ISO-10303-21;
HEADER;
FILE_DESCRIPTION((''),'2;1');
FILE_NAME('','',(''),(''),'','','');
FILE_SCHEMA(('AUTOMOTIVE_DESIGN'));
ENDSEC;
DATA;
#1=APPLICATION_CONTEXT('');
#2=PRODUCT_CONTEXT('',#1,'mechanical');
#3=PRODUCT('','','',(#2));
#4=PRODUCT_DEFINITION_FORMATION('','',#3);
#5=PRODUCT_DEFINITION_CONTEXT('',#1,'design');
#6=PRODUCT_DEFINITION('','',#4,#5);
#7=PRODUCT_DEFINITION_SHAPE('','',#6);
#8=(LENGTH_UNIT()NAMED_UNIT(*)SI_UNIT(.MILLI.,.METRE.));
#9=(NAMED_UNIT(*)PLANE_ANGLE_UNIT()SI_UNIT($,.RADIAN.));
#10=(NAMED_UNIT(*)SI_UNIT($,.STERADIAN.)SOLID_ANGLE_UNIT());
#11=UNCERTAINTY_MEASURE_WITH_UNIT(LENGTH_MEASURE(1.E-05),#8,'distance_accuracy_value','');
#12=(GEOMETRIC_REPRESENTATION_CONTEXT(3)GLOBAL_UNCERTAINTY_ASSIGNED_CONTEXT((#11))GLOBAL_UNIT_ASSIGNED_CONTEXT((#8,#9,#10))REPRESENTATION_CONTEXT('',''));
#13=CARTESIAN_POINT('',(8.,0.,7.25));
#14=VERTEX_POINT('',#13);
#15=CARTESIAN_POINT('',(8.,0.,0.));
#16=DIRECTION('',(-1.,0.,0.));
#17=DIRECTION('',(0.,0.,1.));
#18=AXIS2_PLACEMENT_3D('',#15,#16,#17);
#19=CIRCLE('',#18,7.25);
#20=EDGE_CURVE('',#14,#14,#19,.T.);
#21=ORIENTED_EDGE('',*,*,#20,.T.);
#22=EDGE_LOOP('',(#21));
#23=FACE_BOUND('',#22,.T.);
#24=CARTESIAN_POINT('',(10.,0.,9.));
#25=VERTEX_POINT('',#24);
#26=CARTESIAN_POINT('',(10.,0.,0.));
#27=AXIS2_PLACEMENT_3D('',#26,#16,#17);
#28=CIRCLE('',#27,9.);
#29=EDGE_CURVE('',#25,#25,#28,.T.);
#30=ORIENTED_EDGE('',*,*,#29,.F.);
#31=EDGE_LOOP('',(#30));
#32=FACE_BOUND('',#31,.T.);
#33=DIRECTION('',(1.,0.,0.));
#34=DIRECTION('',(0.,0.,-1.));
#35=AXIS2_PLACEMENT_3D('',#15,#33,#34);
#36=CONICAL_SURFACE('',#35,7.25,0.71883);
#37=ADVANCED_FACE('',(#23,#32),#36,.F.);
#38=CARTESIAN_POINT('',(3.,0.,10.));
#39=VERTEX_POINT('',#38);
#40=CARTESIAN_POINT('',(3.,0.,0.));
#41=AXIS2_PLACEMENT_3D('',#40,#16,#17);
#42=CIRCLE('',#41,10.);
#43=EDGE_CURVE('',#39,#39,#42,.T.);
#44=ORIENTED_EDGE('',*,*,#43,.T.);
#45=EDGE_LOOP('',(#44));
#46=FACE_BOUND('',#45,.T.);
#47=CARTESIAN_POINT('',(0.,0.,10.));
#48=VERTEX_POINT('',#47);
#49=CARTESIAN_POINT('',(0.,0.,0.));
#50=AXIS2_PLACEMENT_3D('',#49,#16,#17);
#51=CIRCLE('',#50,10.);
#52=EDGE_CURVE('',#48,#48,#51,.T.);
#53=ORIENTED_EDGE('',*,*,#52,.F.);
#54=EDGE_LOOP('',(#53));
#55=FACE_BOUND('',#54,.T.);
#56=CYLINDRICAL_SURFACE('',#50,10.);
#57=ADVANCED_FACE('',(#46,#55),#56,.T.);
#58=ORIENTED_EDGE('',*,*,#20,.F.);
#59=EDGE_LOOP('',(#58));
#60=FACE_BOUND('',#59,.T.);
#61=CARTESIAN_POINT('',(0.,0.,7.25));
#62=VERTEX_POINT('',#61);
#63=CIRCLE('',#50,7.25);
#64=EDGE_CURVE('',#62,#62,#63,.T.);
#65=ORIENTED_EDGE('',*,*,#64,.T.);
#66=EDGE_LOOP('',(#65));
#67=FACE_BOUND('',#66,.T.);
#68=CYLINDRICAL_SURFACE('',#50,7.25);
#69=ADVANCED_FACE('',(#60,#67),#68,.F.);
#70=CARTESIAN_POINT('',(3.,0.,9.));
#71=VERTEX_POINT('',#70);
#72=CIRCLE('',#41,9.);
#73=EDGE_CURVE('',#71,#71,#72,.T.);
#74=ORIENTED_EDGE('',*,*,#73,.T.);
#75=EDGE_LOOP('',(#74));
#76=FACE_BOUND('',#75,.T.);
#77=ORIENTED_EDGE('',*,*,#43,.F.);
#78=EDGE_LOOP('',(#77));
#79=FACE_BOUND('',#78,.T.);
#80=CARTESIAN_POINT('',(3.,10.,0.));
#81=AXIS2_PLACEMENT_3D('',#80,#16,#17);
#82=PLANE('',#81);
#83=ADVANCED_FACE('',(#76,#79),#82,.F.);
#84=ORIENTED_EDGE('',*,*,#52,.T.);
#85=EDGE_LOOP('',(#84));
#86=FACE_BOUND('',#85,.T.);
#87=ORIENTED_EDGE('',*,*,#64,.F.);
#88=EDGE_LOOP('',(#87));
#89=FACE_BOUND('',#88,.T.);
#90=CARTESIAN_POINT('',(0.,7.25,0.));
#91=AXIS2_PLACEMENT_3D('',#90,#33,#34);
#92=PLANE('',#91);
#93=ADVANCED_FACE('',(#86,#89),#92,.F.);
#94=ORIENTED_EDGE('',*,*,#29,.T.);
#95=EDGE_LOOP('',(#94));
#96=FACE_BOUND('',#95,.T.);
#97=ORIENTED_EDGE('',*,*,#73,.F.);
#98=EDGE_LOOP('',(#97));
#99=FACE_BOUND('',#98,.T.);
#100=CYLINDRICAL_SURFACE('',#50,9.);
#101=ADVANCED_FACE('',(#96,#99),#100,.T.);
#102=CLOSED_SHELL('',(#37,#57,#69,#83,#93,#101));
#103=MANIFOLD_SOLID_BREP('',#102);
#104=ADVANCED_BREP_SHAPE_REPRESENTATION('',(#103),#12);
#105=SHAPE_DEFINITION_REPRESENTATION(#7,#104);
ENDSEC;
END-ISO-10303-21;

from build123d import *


with BuildPart() as part:
    # Эскиз1 → Повернуть1 (revolve)
    with BuildSketch(Plane.XY, mode=Mode.PRIVATE) as revolve_1_sk:
        Polygon((0, 7.25), (8, 7.25), (10, 9), (3, 9), (3, 10), (0, 10), align=None)
    revolve(revolve_1_sk.sketch.rotate(Axis((0, 0, 0), (1, 0, 0)), 90), axis=Axis((0, 0, 0), (1, 0, 0)))


solid = part.part
